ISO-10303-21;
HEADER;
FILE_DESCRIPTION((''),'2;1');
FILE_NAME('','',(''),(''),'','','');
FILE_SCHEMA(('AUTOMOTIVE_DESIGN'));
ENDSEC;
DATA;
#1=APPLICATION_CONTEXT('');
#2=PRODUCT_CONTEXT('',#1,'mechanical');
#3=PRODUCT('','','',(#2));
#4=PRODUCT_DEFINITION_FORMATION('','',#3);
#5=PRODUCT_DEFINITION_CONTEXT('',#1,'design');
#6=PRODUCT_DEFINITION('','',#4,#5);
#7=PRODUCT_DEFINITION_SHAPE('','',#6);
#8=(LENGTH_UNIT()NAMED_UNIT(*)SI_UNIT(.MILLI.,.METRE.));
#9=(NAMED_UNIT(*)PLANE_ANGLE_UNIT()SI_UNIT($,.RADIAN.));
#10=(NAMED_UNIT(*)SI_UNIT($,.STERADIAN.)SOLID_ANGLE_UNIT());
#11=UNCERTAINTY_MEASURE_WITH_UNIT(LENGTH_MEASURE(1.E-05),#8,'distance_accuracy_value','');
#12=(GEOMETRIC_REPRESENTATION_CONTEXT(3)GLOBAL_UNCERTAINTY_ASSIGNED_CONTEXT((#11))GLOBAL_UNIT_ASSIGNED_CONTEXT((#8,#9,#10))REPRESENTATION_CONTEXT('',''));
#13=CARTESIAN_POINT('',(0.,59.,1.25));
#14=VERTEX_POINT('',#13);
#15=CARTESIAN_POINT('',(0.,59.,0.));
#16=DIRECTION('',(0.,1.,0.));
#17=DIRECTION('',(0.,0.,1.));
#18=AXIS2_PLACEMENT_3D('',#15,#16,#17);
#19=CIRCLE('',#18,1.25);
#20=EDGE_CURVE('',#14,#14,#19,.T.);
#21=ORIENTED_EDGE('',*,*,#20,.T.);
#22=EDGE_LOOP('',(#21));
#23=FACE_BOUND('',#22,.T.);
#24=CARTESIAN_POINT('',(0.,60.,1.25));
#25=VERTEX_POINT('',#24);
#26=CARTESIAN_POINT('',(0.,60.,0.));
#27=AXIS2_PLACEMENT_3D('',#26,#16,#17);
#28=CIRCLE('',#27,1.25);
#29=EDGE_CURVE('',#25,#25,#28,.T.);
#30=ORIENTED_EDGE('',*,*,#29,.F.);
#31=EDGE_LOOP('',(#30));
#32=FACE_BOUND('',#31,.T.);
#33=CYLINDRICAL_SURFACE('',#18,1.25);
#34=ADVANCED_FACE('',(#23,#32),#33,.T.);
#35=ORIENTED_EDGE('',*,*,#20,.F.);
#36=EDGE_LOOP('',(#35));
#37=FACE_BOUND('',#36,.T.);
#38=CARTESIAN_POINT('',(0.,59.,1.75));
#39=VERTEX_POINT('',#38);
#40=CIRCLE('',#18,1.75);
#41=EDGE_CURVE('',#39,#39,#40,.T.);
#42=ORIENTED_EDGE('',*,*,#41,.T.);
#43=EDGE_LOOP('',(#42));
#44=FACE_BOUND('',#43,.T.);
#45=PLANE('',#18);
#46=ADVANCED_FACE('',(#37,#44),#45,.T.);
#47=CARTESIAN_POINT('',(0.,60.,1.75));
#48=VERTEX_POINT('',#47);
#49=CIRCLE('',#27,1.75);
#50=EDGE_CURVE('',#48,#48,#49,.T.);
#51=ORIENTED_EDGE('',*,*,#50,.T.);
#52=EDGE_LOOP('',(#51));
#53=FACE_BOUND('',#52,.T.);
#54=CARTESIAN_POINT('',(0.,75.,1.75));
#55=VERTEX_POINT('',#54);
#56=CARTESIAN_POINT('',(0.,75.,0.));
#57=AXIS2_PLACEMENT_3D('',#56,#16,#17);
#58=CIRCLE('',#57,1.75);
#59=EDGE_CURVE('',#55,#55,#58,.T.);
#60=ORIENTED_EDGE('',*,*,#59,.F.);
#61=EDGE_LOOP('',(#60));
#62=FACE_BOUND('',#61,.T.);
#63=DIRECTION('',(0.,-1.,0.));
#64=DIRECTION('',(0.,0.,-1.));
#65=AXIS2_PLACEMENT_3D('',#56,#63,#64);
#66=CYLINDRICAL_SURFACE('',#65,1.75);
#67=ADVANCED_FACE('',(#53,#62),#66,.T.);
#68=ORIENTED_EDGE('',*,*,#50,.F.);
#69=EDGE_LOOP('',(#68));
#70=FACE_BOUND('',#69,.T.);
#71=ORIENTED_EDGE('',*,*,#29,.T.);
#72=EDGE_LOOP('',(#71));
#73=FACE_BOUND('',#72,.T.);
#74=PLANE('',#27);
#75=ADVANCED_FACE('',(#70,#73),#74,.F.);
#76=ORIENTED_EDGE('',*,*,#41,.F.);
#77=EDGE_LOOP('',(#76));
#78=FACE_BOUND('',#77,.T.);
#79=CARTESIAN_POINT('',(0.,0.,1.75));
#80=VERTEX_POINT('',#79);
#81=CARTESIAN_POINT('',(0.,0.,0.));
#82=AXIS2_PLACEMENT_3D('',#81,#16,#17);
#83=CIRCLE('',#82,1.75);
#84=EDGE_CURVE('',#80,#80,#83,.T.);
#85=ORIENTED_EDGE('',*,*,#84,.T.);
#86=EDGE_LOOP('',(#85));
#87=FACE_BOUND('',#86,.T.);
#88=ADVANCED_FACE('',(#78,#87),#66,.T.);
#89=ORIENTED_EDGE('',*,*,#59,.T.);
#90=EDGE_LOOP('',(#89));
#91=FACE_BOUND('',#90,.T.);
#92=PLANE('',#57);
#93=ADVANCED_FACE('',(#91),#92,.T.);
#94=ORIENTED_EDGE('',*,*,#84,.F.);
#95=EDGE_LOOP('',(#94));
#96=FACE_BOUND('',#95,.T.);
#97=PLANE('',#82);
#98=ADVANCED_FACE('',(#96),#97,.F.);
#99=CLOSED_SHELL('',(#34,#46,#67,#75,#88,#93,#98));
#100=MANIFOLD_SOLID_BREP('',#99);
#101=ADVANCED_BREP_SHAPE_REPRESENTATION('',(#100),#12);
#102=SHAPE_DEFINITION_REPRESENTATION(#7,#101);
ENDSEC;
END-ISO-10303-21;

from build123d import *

# Parameters (mm, degrees)
SKETCH1_R           = 1.75
BOSS_EXTRUDE1_DEPTH = 75
CUT_EXTRUDE1_START  = -1
SKETCH2_R           = 1.75
SKETCH2_R_2         = 1.25
CUT_EXTRUDE1_DEPTH  = 1


with BuildPart() as part:
    # Sketch1 → Boss-Extrude1 (new body)
    with BuildSketch(Plane(origin=(0, 0, 0), x_dir=(1, 0, 0), z_dir=(0, 1, 0))):
        with Locations(Location((0, 0, 0), (0, 0, 270))):
            Circle(SKETCH1_R)
    extrude(amount=BOSS_EXTRUDE1_DEPTH)

    # Sketch2 → Cut-Extrude1 (cut)
    with BuildSketch(Plane(origin=(0, 60, 0), x_dir=(1, 0, 0), z_dir=(0, 1, 0)).offset(CUT_EXTRUDE1_START)):
        with Locations(Location((0, 0, 0), (0, 0, 270))):
            Circle(SKETCH2_R)
        with Locations(Location((0, 0, 0), (0, 0, 270))):
            Circle(SKETCH2_R_2, mode=Mode.SUBTRACT)
    extrude(amount=CUT_EXTRUDE1_DEPTH, mode=Mode.SUBTRACT)


solid = part.part
